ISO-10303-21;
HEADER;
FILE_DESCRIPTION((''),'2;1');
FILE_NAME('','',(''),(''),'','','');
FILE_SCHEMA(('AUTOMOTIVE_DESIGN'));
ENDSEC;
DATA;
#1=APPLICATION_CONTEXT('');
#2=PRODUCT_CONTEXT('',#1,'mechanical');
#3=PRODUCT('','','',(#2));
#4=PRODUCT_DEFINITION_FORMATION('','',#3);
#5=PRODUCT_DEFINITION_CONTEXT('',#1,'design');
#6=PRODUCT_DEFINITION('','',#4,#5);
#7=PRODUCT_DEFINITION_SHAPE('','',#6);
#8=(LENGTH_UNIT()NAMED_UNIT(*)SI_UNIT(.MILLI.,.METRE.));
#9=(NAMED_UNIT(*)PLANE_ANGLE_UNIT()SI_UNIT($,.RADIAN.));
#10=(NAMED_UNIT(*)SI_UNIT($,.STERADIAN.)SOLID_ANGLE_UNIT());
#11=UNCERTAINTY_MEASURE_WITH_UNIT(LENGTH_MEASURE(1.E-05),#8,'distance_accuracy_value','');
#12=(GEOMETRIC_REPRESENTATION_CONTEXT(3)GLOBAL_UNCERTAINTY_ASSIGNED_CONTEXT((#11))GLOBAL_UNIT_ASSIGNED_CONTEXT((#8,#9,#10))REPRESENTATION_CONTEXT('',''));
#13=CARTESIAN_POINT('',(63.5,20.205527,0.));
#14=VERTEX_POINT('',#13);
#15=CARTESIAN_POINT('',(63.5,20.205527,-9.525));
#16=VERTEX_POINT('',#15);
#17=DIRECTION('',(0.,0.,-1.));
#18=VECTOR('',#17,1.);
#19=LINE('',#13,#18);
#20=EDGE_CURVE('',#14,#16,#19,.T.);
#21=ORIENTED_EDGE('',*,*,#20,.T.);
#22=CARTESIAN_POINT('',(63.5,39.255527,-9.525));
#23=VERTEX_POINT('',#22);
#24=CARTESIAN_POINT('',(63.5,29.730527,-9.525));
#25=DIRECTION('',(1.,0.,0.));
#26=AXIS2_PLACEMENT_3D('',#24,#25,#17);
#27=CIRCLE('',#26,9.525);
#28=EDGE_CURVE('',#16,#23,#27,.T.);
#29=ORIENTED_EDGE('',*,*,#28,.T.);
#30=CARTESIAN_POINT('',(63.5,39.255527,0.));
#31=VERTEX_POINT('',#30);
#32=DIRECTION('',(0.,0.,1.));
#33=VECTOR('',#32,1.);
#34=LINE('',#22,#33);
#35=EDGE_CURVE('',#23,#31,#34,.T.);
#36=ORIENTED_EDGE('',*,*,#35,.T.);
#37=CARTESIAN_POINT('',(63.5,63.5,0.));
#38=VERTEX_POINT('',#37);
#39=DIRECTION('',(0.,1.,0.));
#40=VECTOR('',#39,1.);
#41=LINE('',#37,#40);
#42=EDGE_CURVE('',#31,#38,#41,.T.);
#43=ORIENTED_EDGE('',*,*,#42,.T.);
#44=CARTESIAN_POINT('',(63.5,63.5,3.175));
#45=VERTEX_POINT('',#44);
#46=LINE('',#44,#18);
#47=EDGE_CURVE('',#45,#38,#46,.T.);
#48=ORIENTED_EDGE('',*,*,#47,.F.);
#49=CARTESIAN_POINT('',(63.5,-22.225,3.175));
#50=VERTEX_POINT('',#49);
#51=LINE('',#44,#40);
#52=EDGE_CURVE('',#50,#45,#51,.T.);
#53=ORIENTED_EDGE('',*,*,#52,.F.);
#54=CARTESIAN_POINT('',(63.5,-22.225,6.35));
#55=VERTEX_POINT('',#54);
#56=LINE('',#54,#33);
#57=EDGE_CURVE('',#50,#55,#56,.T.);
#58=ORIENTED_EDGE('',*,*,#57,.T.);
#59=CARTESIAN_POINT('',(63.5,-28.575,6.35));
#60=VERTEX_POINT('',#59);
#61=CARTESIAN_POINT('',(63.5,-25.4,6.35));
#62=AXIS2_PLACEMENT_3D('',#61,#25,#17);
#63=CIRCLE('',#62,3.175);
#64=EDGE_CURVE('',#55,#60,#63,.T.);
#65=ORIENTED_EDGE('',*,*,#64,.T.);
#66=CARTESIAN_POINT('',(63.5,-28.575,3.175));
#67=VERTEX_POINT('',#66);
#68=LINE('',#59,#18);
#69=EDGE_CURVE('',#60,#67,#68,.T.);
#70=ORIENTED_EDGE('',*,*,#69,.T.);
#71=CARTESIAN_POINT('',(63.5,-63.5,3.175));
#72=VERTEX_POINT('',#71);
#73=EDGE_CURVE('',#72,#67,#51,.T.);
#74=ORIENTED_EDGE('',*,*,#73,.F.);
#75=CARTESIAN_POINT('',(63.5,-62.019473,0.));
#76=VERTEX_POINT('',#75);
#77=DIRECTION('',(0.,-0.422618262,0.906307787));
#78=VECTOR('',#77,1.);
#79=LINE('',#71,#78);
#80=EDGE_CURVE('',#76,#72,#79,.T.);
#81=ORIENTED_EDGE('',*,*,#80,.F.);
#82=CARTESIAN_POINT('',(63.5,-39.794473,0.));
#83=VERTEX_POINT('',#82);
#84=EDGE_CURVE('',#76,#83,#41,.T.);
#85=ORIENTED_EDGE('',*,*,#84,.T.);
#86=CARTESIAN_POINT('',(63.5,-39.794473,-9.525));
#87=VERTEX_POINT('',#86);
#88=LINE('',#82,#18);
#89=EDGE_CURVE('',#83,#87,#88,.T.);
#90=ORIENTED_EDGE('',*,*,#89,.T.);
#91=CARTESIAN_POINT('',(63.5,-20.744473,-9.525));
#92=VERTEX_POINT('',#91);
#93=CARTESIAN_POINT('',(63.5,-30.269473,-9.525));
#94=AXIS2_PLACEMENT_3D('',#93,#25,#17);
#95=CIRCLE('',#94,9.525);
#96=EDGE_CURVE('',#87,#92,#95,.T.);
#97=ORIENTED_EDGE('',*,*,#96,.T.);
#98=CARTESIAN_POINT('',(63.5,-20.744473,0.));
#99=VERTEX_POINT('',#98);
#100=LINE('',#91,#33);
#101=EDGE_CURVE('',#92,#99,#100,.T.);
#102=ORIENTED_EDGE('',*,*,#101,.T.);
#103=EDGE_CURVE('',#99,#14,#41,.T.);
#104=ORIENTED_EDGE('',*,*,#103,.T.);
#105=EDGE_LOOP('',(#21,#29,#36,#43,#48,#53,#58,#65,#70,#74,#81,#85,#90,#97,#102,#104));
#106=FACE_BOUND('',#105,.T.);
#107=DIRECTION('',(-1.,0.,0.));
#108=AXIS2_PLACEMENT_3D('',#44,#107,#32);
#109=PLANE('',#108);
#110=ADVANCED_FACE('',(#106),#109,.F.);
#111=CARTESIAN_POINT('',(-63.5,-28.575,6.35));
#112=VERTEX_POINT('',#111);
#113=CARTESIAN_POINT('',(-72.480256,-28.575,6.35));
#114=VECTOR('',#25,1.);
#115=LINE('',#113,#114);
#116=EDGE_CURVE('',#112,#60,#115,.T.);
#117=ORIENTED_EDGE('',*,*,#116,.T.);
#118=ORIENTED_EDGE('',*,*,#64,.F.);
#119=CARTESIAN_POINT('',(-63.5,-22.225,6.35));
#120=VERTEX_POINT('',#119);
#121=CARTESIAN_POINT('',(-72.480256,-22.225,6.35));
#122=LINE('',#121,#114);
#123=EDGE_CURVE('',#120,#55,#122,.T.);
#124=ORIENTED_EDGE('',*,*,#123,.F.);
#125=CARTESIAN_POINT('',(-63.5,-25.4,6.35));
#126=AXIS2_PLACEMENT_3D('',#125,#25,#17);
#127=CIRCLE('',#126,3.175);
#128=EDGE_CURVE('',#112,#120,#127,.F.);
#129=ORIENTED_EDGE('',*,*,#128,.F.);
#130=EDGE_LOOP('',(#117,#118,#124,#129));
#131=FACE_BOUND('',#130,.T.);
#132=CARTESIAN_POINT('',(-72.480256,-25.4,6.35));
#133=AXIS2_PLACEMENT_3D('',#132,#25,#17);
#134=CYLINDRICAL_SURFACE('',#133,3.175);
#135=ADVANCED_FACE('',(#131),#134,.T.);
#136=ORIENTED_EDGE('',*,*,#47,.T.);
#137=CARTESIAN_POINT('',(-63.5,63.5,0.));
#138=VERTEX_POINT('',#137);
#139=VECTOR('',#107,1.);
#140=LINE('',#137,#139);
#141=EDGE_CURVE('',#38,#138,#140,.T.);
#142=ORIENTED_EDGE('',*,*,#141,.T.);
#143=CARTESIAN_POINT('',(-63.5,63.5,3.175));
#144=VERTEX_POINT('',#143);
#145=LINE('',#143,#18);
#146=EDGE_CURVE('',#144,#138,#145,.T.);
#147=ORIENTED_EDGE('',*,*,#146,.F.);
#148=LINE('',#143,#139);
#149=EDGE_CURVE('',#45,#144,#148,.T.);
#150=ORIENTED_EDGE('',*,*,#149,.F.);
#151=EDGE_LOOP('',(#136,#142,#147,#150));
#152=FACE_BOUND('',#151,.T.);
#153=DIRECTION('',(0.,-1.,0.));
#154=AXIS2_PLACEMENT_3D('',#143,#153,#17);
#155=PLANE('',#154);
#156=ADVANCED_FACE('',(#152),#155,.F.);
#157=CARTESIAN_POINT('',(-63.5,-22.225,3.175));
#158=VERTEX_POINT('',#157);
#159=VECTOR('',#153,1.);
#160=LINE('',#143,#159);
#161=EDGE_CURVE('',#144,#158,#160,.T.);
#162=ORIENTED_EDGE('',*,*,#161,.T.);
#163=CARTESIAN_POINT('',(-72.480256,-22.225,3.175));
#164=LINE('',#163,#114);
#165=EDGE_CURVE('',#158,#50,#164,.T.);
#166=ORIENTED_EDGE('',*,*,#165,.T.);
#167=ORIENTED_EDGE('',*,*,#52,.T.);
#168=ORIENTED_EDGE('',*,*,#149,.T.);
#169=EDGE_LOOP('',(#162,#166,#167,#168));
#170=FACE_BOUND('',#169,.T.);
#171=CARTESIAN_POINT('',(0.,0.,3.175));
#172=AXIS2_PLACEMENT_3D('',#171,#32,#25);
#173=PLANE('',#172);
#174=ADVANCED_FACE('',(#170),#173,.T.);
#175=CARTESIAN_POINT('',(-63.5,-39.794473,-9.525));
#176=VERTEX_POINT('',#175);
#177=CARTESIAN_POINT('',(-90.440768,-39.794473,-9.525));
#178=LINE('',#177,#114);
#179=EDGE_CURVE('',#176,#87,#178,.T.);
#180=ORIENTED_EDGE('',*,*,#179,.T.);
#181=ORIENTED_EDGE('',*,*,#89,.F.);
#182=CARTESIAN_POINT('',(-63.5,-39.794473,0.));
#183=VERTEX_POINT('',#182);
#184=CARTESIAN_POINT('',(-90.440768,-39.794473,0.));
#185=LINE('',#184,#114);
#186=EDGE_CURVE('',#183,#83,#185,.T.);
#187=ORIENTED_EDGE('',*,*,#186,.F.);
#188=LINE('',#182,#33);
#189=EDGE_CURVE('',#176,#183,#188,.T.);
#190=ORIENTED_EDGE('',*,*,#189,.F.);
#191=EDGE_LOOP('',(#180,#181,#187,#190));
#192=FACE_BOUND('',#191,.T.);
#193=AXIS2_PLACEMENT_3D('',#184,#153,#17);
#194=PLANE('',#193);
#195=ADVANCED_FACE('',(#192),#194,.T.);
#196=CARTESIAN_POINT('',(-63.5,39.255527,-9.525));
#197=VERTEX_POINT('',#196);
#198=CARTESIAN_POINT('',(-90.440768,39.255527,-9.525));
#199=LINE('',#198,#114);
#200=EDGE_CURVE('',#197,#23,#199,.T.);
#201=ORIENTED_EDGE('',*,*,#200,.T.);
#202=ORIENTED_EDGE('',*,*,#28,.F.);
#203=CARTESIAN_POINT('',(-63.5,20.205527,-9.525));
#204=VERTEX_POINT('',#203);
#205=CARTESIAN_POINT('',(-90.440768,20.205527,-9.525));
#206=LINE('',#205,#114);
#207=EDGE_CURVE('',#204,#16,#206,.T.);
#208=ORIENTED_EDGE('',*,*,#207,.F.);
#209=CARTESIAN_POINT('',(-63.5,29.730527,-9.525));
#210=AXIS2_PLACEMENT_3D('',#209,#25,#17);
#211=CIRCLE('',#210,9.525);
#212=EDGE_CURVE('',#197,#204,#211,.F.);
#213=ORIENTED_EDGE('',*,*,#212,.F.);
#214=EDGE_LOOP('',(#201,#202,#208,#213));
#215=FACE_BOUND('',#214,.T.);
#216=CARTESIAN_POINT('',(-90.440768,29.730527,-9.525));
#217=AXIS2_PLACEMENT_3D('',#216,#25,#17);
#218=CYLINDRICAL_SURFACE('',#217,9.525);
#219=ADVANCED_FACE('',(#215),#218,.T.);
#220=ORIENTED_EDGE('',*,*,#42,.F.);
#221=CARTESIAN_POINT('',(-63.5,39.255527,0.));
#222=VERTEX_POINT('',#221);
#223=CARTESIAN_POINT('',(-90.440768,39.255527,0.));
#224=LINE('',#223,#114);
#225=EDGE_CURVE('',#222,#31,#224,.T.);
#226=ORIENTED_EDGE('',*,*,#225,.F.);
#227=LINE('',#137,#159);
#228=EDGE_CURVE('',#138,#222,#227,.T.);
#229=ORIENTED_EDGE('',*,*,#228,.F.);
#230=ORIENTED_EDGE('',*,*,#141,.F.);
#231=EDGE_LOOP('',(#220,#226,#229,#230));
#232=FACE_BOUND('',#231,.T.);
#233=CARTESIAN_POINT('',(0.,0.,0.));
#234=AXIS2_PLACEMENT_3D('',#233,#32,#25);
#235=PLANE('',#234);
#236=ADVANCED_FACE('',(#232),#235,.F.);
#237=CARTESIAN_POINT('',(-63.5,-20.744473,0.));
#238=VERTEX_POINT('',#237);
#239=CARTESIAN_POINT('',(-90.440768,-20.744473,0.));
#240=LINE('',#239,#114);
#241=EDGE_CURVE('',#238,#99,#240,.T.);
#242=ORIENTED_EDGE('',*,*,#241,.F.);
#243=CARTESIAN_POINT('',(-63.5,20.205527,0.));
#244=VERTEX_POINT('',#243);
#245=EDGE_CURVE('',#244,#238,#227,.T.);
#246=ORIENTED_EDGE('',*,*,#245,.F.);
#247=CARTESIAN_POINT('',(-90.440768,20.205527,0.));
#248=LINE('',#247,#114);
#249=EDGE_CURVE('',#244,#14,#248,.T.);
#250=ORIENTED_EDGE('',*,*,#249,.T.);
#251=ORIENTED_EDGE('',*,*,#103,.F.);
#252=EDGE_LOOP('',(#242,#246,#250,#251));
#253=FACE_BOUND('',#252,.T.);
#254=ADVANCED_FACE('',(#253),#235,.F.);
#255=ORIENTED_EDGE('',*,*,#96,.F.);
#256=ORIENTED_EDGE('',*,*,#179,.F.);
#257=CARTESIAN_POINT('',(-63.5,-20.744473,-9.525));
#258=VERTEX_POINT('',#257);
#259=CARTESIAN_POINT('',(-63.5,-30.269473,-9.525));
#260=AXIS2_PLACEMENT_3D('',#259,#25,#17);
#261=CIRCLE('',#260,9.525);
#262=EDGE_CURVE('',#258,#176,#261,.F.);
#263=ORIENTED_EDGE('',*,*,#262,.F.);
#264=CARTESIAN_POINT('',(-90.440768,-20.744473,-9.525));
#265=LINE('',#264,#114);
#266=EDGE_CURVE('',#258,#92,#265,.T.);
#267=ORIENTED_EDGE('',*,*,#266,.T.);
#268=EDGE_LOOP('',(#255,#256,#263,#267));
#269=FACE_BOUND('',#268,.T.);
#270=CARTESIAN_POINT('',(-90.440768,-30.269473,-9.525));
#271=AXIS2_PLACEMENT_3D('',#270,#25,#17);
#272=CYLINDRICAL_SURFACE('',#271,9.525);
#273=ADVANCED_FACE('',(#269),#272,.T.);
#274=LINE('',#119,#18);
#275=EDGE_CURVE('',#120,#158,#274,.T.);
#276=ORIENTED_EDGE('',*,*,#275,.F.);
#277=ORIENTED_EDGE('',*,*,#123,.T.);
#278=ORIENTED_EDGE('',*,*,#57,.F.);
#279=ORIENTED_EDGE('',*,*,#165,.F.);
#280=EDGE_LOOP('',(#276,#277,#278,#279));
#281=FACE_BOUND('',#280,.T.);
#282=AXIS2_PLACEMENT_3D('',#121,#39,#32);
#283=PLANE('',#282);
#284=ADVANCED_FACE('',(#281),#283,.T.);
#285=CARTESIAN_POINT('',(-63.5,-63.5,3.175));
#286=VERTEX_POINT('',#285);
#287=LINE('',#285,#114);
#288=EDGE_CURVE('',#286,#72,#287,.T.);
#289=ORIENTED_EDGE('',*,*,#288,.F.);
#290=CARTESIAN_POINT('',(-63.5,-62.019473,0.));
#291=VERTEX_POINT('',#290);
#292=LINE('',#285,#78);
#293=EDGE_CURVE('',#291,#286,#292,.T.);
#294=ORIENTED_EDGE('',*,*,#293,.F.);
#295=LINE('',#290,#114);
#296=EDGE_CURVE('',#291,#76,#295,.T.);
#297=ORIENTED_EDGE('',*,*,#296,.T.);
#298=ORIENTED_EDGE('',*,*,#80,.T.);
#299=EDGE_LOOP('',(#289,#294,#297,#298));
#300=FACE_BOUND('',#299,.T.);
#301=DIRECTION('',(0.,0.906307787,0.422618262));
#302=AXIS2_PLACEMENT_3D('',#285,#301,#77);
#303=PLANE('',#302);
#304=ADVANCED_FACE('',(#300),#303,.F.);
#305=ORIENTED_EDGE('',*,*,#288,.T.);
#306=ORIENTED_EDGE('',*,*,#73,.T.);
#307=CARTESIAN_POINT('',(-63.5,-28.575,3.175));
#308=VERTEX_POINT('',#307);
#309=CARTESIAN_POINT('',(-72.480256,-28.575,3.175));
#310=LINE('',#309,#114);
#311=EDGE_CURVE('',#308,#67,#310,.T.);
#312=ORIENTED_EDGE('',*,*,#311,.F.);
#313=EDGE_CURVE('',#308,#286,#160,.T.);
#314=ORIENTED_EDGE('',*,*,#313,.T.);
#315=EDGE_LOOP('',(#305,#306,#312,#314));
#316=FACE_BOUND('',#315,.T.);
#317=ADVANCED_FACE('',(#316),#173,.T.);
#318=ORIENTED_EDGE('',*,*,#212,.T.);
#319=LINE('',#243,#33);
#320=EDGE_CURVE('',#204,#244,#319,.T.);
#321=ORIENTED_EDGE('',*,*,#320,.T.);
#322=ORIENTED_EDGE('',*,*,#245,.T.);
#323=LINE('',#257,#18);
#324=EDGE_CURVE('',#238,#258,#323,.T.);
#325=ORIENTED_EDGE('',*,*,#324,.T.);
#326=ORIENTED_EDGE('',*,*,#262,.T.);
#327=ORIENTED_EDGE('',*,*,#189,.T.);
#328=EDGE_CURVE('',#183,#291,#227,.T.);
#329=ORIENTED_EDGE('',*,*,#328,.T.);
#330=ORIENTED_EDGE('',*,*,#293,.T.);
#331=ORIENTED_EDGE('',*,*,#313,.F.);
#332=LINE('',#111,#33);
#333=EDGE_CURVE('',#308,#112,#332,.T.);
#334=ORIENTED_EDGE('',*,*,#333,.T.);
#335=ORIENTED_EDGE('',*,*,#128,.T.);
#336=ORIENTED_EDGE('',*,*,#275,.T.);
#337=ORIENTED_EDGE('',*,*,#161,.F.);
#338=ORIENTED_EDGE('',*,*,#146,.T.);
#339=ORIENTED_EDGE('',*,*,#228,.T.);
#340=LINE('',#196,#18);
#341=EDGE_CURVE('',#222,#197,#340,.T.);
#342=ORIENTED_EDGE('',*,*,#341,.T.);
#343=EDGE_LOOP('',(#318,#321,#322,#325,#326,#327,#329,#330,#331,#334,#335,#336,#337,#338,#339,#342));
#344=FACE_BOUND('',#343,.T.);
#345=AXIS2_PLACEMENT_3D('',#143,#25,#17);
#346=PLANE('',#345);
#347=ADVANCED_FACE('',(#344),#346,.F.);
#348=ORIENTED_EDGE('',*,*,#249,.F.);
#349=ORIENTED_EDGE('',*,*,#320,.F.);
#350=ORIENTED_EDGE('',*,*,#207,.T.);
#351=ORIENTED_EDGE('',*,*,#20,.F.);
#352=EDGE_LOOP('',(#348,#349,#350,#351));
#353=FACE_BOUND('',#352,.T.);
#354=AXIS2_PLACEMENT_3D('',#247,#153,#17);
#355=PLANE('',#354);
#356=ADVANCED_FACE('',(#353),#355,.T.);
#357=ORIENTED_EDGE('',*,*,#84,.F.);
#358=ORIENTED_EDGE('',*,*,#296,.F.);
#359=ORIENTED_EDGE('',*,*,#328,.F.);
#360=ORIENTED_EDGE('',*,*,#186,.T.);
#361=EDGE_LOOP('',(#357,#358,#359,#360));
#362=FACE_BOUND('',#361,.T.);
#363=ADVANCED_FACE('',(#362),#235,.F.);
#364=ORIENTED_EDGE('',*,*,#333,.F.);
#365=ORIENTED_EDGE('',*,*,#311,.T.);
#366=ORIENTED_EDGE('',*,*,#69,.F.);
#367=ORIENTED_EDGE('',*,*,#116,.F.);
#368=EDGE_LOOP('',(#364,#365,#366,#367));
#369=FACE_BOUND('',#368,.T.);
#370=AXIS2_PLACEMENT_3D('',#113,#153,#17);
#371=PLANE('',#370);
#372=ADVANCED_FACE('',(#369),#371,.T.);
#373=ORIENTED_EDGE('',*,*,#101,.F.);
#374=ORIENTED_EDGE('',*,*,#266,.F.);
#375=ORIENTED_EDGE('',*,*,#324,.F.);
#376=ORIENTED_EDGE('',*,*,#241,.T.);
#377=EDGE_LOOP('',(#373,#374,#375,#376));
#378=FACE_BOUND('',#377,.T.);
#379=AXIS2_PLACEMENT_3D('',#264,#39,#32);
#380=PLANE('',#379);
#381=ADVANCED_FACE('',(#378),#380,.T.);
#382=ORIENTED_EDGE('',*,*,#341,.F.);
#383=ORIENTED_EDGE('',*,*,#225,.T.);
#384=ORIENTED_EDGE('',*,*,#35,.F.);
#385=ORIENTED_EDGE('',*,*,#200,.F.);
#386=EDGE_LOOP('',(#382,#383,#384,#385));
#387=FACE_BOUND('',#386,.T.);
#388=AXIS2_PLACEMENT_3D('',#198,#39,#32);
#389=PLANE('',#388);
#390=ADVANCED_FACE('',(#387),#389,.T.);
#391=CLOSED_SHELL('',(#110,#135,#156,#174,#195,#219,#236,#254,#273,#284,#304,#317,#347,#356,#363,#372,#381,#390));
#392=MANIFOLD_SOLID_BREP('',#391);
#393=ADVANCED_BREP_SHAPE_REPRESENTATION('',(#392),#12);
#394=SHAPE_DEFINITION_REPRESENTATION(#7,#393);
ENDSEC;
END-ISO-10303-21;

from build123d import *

# Parameters (mm, degrees)
SKETCH1_W           = 127
SKETCH1_H           = 127
BOSS_EXTRUDE1_DEPTH = 3.175
CUT_EXTRUDE1_DEPTH  = 143.025809714
BOSS_EXTRUDE3_DEPTH = 127
BOSS_EXTRUDE4_DEPTH = 127


with BuildPart() as part:
    # Sketch1 → Boss-Extrude1 (new body)
    with BuildSketch(Plane.XY):
        Rectangle(SKETCH1_W, SKETCH1_H)
    extrude(amount=BOSS_EXTRUDE1_DEPTH)

    # Sketch2 → Cut-Extrude1 (cut, through all)
    with BuildSketch(Plane(origin=(63.5, 0, 0), x_dir=(0, 0, -1), z_dir=(1, 0, 0))):
        Polygon((-3.175, -63.5), (0, -62.019473185), (0, -63.5), align=None)
    extrude(amount=-CUT_EXTRUDE1_DEPTH, mode=Mode.SUBTRACT)

    # Sketch3 → Boss-Extrude3 (add)
    with BuildSketch(Plane(origin=(63.5, 0, 0), x_dir=(0, 0, -1), z_dir=(1, 0, 0))):
        with BuildLine():
            Line((9.525, 39.255526815), (0, 39.255526815))
            Line((0, 39.255526815), (0, 20.205526815))
            Line((0, 20.205526815), (9.525, 20.205526815))
            ThreePointArc((9.525, 20.205526815), (19.05, 29.730526815), (9.525, 39.255526815))
        make_face()
        with BuildLine():
            Line((9.525, -20.744473185), (0, -20.744473185))
            Line((0, -20.744473185), (0, -39.794473185))
            Line((0, -39.794473185), (9.525, -39.794473185))
            ThreePointArc((9.525, -39.794473185), (19.05, -30.269473185), (9.525, -20.744473185))
        make_face()
    extrude(amount=-BOSS_EXTRUDE3_DEPTH)

    # Sketch4 → Boss-Extrude4 (add)
    with BuildSketch(Plane(origin=(63.5, 0, 0), x_dir=(0, 0, -1), z_dir=(1, 0, 0))):
        with BuildLine():
            Line((-6.35, -22.225), (-3.175, -22.225))
            Line((-3.175, -22.225), (-3.175, -28.575))
            Line((-3.175, -28.575), (-6.35, -28.575))
            ThreePointArc((-6.35, -28.575), (-9.525, -25.4), (-6.35, -22.225))
        make_face()
    extrude(amount=-BOSS_EXTRUDE4_DEPTH)


solid = part.part
